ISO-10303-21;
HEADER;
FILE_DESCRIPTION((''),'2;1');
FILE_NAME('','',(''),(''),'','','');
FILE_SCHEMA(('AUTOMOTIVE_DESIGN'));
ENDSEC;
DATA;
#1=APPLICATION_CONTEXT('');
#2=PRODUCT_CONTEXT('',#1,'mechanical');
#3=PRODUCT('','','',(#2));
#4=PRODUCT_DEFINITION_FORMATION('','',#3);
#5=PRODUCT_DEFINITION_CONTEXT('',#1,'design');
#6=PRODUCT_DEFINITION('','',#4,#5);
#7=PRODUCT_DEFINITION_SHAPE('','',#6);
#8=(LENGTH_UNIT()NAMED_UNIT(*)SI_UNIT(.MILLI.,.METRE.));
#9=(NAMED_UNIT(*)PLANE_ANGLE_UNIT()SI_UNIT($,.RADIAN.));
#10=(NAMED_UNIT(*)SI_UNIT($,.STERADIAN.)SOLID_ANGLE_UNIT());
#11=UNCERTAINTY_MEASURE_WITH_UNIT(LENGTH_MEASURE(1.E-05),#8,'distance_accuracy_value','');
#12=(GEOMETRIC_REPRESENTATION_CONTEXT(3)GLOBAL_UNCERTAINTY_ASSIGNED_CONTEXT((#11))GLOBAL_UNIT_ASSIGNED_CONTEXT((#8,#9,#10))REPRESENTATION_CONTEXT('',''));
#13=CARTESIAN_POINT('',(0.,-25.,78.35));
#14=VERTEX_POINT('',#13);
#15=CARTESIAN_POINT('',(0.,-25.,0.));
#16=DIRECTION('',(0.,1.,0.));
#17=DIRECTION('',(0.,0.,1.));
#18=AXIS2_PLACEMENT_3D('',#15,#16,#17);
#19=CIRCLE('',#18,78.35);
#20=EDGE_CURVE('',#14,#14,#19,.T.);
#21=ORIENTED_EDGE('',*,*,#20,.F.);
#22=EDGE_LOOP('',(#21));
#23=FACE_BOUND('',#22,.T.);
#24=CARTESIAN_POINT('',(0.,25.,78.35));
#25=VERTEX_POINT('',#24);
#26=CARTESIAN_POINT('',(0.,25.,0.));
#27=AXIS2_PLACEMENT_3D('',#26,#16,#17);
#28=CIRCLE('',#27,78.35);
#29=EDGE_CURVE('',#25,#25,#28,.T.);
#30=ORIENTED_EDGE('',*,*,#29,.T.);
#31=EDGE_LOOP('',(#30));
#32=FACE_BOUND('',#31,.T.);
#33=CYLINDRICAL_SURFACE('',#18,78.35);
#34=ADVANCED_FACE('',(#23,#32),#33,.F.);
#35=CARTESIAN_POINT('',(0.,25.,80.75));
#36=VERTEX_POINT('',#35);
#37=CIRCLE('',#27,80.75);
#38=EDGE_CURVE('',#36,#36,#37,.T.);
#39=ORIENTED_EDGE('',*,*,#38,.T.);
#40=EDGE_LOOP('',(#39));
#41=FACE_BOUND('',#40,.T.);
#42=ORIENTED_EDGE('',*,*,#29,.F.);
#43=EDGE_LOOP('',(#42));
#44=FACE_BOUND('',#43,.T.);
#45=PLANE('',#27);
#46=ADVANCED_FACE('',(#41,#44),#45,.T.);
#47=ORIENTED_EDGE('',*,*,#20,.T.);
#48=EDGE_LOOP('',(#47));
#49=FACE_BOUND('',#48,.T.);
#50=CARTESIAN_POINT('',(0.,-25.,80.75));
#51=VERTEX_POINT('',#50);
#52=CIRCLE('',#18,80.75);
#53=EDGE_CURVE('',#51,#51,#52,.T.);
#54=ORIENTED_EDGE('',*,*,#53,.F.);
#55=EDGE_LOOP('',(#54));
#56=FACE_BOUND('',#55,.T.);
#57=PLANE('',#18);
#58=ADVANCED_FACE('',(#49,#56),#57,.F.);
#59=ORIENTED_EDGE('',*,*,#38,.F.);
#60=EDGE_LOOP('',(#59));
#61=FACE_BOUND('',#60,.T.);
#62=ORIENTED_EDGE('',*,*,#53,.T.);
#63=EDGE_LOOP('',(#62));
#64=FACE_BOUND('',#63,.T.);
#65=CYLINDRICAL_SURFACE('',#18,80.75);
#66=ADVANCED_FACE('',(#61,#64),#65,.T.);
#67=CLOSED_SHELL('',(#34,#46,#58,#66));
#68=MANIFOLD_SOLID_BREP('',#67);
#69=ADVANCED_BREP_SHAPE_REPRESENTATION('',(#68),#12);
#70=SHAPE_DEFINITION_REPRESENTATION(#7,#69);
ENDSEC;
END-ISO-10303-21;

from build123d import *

# Parameters (mm, degrees)
BOSS_EXTRUDE1_DEPTH      = 25
BOSS_EXTRUDE1_DEPTH_BACK = 25
SKETCH1_R                = 80.75
SKETCH1_R_2              = 78.35


with BuildPart() as part:
    # Sketch1 → Boss-Extrude1 (new, two sides: drawn at the far end of the back side and taken through both)
    with BuildSketch(Plane(origin=(0, 0, 0), x_dir=(1, 0, 0), z_dir=(0, 1, 0)).offset(-BOSS_EXTRUDE1_DEPTH_BACK)):
        with Locations(Location((0, 0, 0), (0, 0, 270))):
            Circle(SKETCH1_R)
        with Locations(Location((0, 0, 0), (0, 0, 270))):
            Circle(SKETCH1_R_2, mode=Mode.SUBTRACT)
    extrude(amount=BOSS_EXTRUDE1_DEPTH + BOSS_EXTRUDE1_DEPTH_BACK)


solid = part.part
